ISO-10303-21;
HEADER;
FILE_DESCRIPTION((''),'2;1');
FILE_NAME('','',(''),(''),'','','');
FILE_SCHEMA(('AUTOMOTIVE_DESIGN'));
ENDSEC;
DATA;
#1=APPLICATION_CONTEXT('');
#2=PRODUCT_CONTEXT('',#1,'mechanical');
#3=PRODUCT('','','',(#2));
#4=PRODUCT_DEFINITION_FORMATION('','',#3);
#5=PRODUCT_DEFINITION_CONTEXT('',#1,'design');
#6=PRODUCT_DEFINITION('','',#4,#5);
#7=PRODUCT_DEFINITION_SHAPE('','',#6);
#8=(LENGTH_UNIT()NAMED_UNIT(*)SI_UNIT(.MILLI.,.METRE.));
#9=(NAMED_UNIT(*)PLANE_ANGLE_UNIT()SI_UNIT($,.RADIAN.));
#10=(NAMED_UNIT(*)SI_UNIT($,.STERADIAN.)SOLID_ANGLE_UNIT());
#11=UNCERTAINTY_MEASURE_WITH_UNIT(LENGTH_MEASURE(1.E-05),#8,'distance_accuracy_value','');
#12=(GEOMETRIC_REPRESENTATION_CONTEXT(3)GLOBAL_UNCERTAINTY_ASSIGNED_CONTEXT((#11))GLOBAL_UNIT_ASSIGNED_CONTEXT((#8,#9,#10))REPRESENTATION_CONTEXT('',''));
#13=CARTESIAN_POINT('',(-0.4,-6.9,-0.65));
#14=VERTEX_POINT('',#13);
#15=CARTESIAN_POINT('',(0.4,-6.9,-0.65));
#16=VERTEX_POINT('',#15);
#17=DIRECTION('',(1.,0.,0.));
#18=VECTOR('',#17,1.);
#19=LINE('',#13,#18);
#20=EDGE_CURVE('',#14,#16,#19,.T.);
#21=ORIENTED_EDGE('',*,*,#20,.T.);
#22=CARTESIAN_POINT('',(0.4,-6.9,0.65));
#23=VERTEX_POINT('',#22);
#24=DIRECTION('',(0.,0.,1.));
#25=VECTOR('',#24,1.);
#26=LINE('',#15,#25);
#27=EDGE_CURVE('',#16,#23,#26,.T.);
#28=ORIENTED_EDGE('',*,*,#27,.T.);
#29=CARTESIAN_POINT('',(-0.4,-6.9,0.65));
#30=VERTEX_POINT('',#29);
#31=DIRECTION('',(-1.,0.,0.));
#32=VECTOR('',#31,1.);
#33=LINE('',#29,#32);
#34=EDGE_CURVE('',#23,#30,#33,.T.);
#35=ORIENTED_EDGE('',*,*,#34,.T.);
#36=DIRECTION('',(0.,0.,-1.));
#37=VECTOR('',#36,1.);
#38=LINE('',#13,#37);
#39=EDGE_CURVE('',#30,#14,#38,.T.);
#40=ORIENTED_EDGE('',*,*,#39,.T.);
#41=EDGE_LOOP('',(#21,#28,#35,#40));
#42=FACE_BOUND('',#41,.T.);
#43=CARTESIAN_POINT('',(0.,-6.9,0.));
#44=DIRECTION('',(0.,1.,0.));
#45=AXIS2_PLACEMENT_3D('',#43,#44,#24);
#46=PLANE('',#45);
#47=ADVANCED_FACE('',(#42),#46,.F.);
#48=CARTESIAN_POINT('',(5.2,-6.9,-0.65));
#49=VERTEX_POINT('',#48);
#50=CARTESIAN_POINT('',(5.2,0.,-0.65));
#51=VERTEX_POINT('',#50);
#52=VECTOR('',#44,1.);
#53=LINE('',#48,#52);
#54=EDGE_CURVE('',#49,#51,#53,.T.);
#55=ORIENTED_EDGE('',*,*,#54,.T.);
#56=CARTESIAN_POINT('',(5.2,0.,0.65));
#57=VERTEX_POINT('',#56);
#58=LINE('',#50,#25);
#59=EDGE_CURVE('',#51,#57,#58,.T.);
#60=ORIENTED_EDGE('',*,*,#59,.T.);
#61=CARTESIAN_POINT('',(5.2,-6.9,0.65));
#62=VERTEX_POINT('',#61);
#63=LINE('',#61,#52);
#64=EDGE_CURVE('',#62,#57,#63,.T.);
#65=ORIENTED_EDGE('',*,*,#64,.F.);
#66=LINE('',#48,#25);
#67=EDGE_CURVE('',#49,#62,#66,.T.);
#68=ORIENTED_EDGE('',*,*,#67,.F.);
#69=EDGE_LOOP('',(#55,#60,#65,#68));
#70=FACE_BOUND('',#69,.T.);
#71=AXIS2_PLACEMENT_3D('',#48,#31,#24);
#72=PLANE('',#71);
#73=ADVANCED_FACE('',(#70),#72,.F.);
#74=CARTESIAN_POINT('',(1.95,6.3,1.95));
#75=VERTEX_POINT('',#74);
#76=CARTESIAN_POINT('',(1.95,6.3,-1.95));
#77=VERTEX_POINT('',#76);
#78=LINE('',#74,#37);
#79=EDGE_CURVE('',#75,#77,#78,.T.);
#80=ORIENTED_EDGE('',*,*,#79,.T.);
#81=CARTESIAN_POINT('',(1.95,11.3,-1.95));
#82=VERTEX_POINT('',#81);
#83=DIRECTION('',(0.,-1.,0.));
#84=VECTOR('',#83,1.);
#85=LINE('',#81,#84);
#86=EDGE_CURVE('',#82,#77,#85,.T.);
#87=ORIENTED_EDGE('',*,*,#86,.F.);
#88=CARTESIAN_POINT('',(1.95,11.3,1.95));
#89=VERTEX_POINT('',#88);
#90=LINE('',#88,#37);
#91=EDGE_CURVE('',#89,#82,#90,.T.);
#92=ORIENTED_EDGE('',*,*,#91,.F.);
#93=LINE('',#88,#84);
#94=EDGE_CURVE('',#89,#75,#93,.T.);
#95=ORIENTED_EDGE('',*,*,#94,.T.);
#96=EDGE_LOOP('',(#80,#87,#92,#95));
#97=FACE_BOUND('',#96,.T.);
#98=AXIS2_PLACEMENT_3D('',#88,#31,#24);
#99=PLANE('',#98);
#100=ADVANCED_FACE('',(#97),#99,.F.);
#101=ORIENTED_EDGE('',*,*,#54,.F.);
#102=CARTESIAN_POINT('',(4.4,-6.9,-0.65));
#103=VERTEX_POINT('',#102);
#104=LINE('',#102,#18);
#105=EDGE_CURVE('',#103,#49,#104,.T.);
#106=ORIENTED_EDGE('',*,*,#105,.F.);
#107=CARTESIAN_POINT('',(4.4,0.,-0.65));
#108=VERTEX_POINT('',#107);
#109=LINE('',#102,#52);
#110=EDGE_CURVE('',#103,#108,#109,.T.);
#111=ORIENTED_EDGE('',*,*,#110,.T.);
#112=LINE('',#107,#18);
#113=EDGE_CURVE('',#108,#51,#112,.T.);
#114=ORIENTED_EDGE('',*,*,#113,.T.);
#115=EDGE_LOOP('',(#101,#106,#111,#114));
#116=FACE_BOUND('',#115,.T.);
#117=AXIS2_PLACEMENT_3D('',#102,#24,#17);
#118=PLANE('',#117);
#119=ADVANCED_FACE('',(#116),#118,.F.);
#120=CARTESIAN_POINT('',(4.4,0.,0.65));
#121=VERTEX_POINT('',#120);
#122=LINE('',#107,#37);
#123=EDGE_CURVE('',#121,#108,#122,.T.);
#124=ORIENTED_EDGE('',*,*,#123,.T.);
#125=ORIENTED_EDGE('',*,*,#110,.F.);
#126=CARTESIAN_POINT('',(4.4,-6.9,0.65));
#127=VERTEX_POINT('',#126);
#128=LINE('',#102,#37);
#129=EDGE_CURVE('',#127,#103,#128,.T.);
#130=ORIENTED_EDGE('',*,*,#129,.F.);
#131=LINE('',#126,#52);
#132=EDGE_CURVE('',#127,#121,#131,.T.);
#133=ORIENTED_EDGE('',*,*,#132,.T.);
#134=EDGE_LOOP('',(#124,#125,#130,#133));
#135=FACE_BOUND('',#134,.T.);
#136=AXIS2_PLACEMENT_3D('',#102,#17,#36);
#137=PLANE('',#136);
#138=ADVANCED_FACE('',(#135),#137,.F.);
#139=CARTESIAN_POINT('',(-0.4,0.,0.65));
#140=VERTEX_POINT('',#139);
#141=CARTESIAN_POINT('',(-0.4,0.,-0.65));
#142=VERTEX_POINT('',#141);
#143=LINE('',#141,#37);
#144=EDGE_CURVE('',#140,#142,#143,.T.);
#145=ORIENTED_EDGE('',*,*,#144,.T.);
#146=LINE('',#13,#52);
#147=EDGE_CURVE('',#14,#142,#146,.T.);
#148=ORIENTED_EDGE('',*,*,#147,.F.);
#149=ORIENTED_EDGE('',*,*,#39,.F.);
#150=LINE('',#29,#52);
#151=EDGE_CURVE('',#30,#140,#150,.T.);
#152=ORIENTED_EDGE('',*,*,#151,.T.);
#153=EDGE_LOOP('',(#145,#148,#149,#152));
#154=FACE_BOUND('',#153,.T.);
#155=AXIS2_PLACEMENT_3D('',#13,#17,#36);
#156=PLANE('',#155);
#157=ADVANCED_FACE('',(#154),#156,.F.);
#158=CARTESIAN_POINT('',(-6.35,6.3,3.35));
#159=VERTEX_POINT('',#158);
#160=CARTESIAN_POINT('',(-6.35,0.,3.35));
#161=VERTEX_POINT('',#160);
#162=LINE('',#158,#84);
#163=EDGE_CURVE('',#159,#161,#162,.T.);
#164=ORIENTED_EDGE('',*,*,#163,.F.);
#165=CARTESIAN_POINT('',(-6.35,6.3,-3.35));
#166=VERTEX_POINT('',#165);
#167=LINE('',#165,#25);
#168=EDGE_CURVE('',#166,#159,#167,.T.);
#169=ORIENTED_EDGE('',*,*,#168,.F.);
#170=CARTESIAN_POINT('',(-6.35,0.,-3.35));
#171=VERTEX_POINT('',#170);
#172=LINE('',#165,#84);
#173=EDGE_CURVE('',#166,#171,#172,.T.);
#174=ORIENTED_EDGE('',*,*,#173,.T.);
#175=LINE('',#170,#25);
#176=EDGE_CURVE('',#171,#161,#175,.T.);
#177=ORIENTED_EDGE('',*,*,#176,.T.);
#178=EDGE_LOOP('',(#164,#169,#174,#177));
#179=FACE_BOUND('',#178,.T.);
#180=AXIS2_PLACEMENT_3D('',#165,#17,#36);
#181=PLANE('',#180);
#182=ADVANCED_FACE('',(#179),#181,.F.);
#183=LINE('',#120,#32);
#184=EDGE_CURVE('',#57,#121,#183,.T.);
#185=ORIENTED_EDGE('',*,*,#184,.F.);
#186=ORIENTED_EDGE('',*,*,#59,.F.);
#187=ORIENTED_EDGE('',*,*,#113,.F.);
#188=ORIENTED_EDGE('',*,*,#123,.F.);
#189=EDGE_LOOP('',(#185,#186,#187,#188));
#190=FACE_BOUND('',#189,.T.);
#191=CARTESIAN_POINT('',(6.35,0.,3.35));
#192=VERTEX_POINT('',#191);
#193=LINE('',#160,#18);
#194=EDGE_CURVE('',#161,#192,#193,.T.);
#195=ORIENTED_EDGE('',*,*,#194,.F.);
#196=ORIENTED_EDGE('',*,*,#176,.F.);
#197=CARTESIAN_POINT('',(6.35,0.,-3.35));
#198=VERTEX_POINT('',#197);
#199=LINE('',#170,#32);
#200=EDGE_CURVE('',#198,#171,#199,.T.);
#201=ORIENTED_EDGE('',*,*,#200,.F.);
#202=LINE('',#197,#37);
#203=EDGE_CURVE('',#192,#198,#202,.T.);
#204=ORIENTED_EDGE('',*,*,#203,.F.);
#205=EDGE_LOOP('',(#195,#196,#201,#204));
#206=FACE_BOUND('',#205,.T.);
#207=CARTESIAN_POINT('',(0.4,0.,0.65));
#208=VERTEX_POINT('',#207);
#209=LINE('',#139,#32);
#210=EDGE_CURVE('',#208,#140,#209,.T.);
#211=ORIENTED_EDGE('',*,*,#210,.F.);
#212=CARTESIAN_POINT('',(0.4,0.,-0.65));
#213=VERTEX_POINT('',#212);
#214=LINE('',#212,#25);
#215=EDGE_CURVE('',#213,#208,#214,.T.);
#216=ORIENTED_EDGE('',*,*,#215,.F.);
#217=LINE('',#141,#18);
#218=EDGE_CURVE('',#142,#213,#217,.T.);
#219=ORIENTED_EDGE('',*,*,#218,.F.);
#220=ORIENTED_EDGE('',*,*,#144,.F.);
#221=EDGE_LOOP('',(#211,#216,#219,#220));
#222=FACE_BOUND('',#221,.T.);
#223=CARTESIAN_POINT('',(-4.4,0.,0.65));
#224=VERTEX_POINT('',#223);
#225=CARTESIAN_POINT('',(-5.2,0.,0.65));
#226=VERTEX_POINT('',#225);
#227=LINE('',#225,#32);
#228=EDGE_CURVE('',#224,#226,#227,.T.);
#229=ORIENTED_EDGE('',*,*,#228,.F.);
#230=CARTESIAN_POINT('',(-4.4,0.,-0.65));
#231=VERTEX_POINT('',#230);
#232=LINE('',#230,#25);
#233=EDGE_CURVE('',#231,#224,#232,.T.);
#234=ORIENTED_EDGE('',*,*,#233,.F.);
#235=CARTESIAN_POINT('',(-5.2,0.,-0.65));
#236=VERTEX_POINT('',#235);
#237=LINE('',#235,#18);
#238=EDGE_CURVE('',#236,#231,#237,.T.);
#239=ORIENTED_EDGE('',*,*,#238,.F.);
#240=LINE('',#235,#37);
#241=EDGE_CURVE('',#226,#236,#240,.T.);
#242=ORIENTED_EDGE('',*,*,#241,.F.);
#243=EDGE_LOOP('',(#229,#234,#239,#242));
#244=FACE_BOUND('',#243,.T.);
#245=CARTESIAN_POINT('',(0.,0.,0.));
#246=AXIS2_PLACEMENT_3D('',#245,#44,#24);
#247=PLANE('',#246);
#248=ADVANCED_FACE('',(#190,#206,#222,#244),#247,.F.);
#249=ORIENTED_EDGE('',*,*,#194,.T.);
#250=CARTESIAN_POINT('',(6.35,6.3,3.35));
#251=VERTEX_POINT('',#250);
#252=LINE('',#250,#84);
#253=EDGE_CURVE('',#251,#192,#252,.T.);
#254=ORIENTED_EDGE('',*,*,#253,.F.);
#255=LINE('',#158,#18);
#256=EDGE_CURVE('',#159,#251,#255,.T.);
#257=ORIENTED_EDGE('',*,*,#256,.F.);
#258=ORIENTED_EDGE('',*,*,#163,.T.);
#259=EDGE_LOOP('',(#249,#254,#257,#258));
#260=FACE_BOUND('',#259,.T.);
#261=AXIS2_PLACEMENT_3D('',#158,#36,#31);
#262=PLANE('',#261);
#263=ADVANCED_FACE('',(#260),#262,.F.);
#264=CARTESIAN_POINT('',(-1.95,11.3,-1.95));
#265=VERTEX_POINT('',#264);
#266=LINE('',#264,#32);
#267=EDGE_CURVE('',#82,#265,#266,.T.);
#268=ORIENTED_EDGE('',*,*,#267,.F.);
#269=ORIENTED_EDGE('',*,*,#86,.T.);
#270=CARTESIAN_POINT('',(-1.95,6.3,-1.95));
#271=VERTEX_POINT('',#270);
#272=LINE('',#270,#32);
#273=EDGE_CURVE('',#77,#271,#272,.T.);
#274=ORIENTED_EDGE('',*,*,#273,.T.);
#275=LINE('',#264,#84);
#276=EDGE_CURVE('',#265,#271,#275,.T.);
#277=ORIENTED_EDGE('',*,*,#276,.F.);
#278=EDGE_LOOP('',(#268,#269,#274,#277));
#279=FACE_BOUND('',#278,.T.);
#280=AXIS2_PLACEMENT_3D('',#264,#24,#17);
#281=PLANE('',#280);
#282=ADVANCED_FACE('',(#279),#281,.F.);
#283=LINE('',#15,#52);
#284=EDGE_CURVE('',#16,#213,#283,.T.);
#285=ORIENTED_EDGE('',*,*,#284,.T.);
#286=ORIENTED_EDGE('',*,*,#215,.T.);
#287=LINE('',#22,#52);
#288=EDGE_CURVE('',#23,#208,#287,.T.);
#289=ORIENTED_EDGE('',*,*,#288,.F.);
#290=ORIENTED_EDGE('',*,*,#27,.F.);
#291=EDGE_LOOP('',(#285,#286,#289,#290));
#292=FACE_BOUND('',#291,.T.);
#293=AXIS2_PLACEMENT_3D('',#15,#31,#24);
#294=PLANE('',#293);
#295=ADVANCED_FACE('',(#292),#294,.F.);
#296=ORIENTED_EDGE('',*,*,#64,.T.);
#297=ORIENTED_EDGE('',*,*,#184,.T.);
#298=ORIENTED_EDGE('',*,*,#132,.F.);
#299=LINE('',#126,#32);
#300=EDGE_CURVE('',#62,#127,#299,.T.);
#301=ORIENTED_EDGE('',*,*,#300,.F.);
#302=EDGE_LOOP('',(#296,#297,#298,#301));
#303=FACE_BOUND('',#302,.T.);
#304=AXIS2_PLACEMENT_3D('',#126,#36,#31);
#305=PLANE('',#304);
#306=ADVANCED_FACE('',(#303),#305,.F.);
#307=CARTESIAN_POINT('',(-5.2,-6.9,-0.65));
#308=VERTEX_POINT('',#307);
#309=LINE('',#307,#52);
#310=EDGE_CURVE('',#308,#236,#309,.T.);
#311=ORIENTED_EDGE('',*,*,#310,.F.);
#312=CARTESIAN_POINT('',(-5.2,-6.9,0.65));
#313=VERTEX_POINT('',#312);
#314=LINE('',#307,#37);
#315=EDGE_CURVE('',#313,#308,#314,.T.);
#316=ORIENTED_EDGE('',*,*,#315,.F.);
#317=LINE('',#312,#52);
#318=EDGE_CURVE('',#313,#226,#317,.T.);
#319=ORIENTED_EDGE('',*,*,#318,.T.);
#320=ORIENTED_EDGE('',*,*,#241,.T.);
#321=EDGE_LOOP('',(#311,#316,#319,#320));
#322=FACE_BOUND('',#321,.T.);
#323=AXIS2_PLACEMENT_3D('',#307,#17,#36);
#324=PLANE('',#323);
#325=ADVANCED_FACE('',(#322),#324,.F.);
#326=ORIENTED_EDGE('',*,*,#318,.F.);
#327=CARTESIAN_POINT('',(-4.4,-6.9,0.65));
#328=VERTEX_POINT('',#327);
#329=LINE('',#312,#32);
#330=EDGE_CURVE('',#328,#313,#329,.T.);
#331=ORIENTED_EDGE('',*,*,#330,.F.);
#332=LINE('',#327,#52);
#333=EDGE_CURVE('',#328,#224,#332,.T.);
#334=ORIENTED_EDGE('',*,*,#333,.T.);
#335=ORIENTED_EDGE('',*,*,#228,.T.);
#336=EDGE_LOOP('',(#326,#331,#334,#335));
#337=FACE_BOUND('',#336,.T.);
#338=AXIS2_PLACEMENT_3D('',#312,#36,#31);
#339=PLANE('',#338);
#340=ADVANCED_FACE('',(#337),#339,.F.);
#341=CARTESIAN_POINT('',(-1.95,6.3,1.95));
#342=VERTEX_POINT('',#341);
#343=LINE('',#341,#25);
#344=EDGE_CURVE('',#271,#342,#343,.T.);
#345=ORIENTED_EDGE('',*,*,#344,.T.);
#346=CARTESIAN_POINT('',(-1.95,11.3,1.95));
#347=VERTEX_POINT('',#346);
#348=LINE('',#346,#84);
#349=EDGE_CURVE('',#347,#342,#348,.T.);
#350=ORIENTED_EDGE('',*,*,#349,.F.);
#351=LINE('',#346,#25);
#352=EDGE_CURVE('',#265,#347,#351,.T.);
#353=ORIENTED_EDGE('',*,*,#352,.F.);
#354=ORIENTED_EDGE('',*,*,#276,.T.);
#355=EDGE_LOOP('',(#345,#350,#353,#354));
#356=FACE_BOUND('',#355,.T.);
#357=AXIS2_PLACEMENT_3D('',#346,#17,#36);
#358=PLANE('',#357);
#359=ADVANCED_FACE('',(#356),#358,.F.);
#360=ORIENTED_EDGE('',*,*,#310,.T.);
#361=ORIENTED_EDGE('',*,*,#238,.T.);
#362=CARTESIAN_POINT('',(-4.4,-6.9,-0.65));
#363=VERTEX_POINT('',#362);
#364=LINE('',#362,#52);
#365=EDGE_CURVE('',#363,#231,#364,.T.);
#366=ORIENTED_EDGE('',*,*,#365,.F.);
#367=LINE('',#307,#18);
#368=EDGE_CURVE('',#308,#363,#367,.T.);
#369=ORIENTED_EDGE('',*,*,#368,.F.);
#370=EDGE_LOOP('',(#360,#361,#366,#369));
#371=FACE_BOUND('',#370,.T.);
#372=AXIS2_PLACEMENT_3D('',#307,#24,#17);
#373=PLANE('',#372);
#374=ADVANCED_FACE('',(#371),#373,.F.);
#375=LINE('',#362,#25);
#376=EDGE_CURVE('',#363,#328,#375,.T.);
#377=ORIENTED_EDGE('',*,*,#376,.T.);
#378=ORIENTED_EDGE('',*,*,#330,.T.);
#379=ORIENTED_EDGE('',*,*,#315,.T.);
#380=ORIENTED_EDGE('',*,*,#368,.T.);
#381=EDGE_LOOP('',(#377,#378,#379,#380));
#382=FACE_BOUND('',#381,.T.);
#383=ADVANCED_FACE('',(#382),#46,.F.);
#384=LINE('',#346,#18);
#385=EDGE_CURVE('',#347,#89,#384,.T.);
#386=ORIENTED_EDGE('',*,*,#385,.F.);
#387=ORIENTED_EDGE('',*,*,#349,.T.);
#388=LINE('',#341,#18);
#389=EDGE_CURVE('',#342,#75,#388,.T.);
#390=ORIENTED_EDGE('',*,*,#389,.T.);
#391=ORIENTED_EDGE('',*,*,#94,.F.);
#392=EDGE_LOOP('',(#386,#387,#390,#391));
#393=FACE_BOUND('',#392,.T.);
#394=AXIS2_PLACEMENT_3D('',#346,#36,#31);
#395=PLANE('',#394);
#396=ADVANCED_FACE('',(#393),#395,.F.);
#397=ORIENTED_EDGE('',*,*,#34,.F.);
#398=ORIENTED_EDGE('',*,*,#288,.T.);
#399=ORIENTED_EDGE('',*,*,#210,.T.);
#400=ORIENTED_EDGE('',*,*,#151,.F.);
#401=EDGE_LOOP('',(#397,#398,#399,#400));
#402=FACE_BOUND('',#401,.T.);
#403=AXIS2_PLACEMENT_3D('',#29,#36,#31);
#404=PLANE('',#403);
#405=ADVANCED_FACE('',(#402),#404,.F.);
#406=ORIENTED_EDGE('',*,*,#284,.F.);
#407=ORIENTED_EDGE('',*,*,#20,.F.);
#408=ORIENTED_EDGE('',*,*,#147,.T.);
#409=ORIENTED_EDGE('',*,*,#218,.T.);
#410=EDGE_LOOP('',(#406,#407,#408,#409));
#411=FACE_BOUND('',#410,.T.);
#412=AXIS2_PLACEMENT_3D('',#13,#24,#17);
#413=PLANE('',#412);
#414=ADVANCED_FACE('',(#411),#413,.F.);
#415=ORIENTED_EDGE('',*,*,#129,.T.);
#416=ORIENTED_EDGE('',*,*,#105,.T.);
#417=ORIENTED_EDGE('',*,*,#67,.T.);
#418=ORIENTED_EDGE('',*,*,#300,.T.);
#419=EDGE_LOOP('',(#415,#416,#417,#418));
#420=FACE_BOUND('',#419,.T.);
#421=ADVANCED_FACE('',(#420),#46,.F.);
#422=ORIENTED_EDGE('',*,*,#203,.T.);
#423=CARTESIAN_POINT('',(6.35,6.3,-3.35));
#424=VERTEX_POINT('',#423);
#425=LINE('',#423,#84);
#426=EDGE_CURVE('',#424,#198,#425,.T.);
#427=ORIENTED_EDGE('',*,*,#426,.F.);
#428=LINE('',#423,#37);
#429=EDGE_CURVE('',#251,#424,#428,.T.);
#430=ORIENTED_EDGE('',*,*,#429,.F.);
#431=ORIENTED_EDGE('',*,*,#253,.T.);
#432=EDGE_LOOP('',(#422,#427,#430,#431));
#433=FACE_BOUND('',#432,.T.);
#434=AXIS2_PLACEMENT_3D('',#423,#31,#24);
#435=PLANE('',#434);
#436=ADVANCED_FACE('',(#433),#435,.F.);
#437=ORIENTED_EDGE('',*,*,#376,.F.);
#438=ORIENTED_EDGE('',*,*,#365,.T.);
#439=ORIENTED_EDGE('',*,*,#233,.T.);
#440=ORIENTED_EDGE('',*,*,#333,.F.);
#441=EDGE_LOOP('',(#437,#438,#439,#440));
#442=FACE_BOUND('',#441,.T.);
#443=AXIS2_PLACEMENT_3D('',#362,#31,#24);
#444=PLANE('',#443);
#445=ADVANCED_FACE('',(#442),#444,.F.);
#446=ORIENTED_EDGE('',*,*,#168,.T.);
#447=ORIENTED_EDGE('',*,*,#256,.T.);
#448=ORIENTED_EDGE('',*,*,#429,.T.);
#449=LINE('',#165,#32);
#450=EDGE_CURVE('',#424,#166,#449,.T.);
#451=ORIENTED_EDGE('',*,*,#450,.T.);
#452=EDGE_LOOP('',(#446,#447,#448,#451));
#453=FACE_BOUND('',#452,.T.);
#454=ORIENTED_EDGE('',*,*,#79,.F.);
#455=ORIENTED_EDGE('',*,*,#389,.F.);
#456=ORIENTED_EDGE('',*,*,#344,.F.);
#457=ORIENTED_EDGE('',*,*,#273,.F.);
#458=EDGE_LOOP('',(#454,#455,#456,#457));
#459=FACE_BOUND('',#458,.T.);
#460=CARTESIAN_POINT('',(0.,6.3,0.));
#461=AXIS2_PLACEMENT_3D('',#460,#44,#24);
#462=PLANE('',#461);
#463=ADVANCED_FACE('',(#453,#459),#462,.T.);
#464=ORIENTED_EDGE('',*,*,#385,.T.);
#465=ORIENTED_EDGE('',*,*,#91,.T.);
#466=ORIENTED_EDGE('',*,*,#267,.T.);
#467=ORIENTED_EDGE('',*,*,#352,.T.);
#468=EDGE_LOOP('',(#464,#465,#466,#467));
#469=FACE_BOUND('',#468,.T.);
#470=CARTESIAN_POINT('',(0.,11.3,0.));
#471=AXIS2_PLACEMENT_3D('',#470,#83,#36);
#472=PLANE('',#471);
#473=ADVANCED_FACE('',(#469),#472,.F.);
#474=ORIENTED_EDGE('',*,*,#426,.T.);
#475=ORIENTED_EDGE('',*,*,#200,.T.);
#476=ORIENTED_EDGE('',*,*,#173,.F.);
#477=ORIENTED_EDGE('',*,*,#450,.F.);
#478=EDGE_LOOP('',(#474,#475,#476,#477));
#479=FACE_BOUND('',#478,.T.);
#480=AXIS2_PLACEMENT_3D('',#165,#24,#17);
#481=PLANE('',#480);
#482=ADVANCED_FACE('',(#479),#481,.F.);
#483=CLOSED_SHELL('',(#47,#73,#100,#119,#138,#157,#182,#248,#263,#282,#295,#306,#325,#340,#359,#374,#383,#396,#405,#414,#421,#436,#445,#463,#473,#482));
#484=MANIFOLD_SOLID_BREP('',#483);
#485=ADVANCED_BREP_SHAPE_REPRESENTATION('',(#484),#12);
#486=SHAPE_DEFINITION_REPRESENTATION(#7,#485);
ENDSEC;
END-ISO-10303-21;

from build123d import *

# Parameters (mm, degrees)
SKETCH_1_W      = 12.7
SKETCH_1_H      = 6.7
EXTRUDE_1_DEPTH = 6.3
SKETCH_2_W      = 3.9
SKETCH_2_H      = 3.9
EXTRUDE_2_DEPTH = 5
SKETCH_3_W      = 0.8
SKETCH_3_H      = 1.3
EXTRUDE_3_DEPTH = 6.9


with BuildPart() as part:
    # 草图1 → 凸台-拉伸1 (new body)
    with BuildSketch(Plane(origin=(0, 0, 0), x_dir=(1, 0, 0), z_dir=(0, 1, 0))):
        Rectangle(SKETCH_1_W, SKETCH_1_H)
    extrude(amount=EXTRUDE_1_DEPTH)

    # 草图2 → 凸台-拉伸2 (add)
    with BuildSketch(Plane(origin=(0, 6.3, 0), x_dir=(1, 0, 0), z_dir=(0, 1, 0))):
        Rectangle(SKETCH_2_W, SKETCH_2_H)
    extrude(amount=EXTRUDE_2_DEPTH)

    # 草图3 → 凸台-拉伸3 (add)
    with BuildSketch(Plane.XZ):
        Rectangle(SKETCH_3_W, SKETCH_3_H)
        with Locations((4.8, 0)):
            Rectangle(SKETCH_3_W, SKETCH_3_H)
        with Locations((-4.8, 0)):
            Rectangle(SKETCH_3_W, SKETCH_3_H)
    extrude(amount=EXTRUDE_3_DEPTH)


solid = part.part
